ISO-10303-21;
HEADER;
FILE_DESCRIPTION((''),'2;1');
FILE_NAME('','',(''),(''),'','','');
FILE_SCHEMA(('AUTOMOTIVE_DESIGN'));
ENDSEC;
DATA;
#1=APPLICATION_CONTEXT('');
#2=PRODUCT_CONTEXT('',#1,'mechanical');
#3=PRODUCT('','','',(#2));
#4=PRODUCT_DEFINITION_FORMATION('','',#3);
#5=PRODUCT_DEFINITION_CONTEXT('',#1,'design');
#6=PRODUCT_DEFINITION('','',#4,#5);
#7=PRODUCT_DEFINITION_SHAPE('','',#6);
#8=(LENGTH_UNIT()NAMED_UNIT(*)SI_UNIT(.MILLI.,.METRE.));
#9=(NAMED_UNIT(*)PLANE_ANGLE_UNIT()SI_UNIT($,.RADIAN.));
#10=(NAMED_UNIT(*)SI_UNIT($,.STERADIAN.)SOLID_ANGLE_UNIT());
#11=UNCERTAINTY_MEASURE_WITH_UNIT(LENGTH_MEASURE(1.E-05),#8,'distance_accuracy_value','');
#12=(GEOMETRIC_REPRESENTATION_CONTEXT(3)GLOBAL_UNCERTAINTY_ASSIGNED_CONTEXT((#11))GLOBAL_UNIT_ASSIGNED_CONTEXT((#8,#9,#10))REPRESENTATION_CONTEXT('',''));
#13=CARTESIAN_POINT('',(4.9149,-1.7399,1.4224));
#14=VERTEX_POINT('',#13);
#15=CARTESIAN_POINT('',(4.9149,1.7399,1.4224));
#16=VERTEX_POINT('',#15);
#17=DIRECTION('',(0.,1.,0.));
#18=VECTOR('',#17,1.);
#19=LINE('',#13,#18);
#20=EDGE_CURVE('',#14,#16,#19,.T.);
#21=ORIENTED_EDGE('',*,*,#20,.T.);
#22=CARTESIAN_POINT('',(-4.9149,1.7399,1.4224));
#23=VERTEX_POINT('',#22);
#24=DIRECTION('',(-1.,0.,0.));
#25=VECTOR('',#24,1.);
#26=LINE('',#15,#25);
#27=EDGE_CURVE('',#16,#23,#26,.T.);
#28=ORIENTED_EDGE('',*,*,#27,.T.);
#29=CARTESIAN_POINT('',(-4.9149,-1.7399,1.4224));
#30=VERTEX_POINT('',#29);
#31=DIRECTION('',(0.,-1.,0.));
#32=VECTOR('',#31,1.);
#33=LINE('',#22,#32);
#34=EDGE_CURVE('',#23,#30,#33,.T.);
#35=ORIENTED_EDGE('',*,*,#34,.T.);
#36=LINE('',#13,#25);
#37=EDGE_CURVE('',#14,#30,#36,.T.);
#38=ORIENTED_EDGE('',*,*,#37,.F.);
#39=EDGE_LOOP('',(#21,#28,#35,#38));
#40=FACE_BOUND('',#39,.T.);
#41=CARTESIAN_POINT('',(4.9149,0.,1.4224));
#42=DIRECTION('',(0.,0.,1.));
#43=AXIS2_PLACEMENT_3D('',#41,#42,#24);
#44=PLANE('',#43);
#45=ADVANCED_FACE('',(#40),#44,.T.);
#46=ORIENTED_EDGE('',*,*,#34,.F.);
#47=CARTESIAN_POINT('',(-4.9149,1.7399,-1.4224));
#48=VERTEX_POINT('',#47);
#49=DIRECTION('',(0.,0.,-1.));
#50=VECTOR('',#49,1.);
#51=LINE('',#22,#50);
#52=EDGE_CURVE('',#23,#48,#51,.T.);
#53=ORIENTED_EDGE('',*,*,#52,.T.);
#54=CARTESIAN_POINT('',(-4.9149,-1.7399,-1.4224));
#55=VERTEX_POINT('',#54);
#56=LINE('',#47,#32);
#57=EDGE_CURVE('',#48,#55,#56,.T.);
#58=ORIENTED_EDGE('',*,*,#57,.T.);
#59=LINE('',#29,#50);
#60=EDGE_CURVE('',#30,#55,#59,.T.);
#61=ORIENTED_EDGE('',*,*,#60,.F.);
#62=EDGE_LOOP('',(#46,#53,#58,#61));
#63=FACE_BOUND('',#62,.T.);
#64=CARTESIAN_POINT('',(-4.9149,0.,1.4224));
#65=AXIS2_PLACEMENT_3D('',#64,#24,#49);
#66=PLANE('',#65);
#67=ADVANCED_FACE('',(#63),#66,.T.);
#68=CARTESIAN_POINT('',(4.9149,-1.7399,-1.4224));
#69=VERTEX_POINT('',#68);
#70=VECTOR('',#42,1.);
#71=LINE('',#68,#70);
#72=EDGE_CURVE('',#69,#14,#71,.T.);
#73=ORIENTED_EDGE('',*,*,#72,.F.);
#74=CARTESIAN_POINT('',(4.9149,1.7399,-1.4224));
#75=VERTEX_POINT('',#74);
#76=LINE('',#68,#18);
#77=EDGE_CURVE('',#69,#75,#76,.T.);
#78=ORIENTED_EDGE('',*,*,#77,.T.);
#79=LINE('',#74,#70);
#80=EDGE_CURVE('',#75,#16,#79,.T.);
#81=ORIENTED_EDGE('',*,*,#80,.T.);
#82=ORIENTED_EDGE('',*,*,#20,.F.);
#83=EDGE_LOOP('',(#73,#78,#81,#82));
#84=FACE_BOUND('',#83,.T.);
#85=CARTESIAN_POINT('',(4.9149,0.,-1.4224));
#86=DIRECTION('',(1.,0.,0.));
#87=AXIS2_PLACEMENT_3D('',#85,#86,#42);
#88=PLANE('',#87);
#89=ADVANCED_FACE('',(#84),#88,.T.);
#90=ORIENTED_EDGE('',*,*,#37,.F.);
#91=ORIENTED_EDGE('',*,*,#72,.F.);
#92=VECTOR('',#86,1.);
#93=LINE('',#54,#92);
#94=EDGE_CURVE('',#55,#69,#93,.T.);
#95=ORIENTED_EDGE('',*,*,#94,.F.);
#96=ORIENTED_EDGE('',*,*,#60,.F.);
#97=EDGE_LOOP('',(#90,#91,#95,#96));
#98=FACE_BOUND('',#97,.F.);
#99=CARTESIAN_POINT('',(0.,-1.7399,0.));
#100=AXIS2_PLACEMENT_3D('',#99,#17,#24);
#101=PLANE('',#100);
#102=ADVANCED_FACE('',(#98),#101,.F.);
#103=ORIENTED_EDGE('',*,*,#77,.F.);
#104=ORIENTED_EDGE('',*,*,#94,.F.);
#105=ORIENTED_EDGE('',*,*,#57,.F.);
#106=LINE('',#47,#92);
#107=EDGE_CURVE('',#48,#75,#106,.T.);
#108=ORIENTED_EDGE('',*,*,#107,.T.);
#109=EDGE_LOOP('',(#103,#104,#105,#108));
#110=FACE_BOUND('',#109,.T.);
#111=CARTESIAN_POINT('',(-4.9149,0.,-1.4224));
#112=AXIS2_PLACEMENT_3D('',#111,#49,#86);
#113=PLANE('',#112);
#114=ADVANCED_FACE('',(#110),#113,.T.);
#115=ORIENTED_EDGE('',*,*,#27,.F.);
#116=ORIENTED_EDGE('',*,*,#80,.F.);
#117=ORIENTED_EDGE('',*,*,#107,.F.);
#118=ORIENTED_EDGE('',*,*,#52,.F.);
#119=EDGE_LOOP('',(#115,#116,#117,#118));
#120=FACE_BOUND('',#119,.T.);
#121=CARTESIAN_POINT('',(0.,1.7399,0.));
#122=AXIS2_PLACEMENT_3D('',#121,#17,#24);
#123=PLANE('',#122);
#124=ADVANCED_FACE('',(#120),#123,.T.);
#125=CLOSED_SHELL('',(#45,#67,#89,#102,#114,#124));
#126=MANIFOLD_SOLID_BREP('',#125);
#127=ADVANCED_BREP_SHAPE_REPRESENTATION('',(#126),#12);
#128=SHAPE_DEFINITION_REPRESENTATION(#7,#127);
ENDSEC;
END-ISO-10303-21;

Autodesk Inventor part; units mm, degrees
ref_plane "YZ Plane" through (0, 0, 0) normal (1, 0, 0) x (0, 1, 0)
ref_plane "XZ Plane" through (0, 0, 0) normal (0, 1, 0) x (-1, 0, 0)
ref_plane "XY Plane" through (0, 0, 0) normal (0, 0, 1) x (1, 0, 0)
sketch "Sketch1" plane through (0, 0, 0) normal (0, 1, 0) x (-1, 0, 0)
  line L0 (-4.9149, 1.4224) -> (4.9149, 1.4224)
  line L1 (4.9149, 1.4224) -> (4.9149, -1.4224)
  line L2 (4.9149, -1.4224) -> (-4.9149, -1.4224)
  line L3 (-4.9149, -1.4224) -> (-4.9149, 1.4224)
  line L4 (-4.9149, 1.4224) -> (4.9149, -1.4224) construction
  line L5 (4.9149, 1.4224) -> (-4.9149, -1.4224) construction
  point P0 (0, 0)
  dimension "d0" = 9.8298
  dimension "d1" = 2.8448
extrude "Extrusion1" add sketch "Sketch1" along normal mid plane 3.4798
properties part number "magnet"
